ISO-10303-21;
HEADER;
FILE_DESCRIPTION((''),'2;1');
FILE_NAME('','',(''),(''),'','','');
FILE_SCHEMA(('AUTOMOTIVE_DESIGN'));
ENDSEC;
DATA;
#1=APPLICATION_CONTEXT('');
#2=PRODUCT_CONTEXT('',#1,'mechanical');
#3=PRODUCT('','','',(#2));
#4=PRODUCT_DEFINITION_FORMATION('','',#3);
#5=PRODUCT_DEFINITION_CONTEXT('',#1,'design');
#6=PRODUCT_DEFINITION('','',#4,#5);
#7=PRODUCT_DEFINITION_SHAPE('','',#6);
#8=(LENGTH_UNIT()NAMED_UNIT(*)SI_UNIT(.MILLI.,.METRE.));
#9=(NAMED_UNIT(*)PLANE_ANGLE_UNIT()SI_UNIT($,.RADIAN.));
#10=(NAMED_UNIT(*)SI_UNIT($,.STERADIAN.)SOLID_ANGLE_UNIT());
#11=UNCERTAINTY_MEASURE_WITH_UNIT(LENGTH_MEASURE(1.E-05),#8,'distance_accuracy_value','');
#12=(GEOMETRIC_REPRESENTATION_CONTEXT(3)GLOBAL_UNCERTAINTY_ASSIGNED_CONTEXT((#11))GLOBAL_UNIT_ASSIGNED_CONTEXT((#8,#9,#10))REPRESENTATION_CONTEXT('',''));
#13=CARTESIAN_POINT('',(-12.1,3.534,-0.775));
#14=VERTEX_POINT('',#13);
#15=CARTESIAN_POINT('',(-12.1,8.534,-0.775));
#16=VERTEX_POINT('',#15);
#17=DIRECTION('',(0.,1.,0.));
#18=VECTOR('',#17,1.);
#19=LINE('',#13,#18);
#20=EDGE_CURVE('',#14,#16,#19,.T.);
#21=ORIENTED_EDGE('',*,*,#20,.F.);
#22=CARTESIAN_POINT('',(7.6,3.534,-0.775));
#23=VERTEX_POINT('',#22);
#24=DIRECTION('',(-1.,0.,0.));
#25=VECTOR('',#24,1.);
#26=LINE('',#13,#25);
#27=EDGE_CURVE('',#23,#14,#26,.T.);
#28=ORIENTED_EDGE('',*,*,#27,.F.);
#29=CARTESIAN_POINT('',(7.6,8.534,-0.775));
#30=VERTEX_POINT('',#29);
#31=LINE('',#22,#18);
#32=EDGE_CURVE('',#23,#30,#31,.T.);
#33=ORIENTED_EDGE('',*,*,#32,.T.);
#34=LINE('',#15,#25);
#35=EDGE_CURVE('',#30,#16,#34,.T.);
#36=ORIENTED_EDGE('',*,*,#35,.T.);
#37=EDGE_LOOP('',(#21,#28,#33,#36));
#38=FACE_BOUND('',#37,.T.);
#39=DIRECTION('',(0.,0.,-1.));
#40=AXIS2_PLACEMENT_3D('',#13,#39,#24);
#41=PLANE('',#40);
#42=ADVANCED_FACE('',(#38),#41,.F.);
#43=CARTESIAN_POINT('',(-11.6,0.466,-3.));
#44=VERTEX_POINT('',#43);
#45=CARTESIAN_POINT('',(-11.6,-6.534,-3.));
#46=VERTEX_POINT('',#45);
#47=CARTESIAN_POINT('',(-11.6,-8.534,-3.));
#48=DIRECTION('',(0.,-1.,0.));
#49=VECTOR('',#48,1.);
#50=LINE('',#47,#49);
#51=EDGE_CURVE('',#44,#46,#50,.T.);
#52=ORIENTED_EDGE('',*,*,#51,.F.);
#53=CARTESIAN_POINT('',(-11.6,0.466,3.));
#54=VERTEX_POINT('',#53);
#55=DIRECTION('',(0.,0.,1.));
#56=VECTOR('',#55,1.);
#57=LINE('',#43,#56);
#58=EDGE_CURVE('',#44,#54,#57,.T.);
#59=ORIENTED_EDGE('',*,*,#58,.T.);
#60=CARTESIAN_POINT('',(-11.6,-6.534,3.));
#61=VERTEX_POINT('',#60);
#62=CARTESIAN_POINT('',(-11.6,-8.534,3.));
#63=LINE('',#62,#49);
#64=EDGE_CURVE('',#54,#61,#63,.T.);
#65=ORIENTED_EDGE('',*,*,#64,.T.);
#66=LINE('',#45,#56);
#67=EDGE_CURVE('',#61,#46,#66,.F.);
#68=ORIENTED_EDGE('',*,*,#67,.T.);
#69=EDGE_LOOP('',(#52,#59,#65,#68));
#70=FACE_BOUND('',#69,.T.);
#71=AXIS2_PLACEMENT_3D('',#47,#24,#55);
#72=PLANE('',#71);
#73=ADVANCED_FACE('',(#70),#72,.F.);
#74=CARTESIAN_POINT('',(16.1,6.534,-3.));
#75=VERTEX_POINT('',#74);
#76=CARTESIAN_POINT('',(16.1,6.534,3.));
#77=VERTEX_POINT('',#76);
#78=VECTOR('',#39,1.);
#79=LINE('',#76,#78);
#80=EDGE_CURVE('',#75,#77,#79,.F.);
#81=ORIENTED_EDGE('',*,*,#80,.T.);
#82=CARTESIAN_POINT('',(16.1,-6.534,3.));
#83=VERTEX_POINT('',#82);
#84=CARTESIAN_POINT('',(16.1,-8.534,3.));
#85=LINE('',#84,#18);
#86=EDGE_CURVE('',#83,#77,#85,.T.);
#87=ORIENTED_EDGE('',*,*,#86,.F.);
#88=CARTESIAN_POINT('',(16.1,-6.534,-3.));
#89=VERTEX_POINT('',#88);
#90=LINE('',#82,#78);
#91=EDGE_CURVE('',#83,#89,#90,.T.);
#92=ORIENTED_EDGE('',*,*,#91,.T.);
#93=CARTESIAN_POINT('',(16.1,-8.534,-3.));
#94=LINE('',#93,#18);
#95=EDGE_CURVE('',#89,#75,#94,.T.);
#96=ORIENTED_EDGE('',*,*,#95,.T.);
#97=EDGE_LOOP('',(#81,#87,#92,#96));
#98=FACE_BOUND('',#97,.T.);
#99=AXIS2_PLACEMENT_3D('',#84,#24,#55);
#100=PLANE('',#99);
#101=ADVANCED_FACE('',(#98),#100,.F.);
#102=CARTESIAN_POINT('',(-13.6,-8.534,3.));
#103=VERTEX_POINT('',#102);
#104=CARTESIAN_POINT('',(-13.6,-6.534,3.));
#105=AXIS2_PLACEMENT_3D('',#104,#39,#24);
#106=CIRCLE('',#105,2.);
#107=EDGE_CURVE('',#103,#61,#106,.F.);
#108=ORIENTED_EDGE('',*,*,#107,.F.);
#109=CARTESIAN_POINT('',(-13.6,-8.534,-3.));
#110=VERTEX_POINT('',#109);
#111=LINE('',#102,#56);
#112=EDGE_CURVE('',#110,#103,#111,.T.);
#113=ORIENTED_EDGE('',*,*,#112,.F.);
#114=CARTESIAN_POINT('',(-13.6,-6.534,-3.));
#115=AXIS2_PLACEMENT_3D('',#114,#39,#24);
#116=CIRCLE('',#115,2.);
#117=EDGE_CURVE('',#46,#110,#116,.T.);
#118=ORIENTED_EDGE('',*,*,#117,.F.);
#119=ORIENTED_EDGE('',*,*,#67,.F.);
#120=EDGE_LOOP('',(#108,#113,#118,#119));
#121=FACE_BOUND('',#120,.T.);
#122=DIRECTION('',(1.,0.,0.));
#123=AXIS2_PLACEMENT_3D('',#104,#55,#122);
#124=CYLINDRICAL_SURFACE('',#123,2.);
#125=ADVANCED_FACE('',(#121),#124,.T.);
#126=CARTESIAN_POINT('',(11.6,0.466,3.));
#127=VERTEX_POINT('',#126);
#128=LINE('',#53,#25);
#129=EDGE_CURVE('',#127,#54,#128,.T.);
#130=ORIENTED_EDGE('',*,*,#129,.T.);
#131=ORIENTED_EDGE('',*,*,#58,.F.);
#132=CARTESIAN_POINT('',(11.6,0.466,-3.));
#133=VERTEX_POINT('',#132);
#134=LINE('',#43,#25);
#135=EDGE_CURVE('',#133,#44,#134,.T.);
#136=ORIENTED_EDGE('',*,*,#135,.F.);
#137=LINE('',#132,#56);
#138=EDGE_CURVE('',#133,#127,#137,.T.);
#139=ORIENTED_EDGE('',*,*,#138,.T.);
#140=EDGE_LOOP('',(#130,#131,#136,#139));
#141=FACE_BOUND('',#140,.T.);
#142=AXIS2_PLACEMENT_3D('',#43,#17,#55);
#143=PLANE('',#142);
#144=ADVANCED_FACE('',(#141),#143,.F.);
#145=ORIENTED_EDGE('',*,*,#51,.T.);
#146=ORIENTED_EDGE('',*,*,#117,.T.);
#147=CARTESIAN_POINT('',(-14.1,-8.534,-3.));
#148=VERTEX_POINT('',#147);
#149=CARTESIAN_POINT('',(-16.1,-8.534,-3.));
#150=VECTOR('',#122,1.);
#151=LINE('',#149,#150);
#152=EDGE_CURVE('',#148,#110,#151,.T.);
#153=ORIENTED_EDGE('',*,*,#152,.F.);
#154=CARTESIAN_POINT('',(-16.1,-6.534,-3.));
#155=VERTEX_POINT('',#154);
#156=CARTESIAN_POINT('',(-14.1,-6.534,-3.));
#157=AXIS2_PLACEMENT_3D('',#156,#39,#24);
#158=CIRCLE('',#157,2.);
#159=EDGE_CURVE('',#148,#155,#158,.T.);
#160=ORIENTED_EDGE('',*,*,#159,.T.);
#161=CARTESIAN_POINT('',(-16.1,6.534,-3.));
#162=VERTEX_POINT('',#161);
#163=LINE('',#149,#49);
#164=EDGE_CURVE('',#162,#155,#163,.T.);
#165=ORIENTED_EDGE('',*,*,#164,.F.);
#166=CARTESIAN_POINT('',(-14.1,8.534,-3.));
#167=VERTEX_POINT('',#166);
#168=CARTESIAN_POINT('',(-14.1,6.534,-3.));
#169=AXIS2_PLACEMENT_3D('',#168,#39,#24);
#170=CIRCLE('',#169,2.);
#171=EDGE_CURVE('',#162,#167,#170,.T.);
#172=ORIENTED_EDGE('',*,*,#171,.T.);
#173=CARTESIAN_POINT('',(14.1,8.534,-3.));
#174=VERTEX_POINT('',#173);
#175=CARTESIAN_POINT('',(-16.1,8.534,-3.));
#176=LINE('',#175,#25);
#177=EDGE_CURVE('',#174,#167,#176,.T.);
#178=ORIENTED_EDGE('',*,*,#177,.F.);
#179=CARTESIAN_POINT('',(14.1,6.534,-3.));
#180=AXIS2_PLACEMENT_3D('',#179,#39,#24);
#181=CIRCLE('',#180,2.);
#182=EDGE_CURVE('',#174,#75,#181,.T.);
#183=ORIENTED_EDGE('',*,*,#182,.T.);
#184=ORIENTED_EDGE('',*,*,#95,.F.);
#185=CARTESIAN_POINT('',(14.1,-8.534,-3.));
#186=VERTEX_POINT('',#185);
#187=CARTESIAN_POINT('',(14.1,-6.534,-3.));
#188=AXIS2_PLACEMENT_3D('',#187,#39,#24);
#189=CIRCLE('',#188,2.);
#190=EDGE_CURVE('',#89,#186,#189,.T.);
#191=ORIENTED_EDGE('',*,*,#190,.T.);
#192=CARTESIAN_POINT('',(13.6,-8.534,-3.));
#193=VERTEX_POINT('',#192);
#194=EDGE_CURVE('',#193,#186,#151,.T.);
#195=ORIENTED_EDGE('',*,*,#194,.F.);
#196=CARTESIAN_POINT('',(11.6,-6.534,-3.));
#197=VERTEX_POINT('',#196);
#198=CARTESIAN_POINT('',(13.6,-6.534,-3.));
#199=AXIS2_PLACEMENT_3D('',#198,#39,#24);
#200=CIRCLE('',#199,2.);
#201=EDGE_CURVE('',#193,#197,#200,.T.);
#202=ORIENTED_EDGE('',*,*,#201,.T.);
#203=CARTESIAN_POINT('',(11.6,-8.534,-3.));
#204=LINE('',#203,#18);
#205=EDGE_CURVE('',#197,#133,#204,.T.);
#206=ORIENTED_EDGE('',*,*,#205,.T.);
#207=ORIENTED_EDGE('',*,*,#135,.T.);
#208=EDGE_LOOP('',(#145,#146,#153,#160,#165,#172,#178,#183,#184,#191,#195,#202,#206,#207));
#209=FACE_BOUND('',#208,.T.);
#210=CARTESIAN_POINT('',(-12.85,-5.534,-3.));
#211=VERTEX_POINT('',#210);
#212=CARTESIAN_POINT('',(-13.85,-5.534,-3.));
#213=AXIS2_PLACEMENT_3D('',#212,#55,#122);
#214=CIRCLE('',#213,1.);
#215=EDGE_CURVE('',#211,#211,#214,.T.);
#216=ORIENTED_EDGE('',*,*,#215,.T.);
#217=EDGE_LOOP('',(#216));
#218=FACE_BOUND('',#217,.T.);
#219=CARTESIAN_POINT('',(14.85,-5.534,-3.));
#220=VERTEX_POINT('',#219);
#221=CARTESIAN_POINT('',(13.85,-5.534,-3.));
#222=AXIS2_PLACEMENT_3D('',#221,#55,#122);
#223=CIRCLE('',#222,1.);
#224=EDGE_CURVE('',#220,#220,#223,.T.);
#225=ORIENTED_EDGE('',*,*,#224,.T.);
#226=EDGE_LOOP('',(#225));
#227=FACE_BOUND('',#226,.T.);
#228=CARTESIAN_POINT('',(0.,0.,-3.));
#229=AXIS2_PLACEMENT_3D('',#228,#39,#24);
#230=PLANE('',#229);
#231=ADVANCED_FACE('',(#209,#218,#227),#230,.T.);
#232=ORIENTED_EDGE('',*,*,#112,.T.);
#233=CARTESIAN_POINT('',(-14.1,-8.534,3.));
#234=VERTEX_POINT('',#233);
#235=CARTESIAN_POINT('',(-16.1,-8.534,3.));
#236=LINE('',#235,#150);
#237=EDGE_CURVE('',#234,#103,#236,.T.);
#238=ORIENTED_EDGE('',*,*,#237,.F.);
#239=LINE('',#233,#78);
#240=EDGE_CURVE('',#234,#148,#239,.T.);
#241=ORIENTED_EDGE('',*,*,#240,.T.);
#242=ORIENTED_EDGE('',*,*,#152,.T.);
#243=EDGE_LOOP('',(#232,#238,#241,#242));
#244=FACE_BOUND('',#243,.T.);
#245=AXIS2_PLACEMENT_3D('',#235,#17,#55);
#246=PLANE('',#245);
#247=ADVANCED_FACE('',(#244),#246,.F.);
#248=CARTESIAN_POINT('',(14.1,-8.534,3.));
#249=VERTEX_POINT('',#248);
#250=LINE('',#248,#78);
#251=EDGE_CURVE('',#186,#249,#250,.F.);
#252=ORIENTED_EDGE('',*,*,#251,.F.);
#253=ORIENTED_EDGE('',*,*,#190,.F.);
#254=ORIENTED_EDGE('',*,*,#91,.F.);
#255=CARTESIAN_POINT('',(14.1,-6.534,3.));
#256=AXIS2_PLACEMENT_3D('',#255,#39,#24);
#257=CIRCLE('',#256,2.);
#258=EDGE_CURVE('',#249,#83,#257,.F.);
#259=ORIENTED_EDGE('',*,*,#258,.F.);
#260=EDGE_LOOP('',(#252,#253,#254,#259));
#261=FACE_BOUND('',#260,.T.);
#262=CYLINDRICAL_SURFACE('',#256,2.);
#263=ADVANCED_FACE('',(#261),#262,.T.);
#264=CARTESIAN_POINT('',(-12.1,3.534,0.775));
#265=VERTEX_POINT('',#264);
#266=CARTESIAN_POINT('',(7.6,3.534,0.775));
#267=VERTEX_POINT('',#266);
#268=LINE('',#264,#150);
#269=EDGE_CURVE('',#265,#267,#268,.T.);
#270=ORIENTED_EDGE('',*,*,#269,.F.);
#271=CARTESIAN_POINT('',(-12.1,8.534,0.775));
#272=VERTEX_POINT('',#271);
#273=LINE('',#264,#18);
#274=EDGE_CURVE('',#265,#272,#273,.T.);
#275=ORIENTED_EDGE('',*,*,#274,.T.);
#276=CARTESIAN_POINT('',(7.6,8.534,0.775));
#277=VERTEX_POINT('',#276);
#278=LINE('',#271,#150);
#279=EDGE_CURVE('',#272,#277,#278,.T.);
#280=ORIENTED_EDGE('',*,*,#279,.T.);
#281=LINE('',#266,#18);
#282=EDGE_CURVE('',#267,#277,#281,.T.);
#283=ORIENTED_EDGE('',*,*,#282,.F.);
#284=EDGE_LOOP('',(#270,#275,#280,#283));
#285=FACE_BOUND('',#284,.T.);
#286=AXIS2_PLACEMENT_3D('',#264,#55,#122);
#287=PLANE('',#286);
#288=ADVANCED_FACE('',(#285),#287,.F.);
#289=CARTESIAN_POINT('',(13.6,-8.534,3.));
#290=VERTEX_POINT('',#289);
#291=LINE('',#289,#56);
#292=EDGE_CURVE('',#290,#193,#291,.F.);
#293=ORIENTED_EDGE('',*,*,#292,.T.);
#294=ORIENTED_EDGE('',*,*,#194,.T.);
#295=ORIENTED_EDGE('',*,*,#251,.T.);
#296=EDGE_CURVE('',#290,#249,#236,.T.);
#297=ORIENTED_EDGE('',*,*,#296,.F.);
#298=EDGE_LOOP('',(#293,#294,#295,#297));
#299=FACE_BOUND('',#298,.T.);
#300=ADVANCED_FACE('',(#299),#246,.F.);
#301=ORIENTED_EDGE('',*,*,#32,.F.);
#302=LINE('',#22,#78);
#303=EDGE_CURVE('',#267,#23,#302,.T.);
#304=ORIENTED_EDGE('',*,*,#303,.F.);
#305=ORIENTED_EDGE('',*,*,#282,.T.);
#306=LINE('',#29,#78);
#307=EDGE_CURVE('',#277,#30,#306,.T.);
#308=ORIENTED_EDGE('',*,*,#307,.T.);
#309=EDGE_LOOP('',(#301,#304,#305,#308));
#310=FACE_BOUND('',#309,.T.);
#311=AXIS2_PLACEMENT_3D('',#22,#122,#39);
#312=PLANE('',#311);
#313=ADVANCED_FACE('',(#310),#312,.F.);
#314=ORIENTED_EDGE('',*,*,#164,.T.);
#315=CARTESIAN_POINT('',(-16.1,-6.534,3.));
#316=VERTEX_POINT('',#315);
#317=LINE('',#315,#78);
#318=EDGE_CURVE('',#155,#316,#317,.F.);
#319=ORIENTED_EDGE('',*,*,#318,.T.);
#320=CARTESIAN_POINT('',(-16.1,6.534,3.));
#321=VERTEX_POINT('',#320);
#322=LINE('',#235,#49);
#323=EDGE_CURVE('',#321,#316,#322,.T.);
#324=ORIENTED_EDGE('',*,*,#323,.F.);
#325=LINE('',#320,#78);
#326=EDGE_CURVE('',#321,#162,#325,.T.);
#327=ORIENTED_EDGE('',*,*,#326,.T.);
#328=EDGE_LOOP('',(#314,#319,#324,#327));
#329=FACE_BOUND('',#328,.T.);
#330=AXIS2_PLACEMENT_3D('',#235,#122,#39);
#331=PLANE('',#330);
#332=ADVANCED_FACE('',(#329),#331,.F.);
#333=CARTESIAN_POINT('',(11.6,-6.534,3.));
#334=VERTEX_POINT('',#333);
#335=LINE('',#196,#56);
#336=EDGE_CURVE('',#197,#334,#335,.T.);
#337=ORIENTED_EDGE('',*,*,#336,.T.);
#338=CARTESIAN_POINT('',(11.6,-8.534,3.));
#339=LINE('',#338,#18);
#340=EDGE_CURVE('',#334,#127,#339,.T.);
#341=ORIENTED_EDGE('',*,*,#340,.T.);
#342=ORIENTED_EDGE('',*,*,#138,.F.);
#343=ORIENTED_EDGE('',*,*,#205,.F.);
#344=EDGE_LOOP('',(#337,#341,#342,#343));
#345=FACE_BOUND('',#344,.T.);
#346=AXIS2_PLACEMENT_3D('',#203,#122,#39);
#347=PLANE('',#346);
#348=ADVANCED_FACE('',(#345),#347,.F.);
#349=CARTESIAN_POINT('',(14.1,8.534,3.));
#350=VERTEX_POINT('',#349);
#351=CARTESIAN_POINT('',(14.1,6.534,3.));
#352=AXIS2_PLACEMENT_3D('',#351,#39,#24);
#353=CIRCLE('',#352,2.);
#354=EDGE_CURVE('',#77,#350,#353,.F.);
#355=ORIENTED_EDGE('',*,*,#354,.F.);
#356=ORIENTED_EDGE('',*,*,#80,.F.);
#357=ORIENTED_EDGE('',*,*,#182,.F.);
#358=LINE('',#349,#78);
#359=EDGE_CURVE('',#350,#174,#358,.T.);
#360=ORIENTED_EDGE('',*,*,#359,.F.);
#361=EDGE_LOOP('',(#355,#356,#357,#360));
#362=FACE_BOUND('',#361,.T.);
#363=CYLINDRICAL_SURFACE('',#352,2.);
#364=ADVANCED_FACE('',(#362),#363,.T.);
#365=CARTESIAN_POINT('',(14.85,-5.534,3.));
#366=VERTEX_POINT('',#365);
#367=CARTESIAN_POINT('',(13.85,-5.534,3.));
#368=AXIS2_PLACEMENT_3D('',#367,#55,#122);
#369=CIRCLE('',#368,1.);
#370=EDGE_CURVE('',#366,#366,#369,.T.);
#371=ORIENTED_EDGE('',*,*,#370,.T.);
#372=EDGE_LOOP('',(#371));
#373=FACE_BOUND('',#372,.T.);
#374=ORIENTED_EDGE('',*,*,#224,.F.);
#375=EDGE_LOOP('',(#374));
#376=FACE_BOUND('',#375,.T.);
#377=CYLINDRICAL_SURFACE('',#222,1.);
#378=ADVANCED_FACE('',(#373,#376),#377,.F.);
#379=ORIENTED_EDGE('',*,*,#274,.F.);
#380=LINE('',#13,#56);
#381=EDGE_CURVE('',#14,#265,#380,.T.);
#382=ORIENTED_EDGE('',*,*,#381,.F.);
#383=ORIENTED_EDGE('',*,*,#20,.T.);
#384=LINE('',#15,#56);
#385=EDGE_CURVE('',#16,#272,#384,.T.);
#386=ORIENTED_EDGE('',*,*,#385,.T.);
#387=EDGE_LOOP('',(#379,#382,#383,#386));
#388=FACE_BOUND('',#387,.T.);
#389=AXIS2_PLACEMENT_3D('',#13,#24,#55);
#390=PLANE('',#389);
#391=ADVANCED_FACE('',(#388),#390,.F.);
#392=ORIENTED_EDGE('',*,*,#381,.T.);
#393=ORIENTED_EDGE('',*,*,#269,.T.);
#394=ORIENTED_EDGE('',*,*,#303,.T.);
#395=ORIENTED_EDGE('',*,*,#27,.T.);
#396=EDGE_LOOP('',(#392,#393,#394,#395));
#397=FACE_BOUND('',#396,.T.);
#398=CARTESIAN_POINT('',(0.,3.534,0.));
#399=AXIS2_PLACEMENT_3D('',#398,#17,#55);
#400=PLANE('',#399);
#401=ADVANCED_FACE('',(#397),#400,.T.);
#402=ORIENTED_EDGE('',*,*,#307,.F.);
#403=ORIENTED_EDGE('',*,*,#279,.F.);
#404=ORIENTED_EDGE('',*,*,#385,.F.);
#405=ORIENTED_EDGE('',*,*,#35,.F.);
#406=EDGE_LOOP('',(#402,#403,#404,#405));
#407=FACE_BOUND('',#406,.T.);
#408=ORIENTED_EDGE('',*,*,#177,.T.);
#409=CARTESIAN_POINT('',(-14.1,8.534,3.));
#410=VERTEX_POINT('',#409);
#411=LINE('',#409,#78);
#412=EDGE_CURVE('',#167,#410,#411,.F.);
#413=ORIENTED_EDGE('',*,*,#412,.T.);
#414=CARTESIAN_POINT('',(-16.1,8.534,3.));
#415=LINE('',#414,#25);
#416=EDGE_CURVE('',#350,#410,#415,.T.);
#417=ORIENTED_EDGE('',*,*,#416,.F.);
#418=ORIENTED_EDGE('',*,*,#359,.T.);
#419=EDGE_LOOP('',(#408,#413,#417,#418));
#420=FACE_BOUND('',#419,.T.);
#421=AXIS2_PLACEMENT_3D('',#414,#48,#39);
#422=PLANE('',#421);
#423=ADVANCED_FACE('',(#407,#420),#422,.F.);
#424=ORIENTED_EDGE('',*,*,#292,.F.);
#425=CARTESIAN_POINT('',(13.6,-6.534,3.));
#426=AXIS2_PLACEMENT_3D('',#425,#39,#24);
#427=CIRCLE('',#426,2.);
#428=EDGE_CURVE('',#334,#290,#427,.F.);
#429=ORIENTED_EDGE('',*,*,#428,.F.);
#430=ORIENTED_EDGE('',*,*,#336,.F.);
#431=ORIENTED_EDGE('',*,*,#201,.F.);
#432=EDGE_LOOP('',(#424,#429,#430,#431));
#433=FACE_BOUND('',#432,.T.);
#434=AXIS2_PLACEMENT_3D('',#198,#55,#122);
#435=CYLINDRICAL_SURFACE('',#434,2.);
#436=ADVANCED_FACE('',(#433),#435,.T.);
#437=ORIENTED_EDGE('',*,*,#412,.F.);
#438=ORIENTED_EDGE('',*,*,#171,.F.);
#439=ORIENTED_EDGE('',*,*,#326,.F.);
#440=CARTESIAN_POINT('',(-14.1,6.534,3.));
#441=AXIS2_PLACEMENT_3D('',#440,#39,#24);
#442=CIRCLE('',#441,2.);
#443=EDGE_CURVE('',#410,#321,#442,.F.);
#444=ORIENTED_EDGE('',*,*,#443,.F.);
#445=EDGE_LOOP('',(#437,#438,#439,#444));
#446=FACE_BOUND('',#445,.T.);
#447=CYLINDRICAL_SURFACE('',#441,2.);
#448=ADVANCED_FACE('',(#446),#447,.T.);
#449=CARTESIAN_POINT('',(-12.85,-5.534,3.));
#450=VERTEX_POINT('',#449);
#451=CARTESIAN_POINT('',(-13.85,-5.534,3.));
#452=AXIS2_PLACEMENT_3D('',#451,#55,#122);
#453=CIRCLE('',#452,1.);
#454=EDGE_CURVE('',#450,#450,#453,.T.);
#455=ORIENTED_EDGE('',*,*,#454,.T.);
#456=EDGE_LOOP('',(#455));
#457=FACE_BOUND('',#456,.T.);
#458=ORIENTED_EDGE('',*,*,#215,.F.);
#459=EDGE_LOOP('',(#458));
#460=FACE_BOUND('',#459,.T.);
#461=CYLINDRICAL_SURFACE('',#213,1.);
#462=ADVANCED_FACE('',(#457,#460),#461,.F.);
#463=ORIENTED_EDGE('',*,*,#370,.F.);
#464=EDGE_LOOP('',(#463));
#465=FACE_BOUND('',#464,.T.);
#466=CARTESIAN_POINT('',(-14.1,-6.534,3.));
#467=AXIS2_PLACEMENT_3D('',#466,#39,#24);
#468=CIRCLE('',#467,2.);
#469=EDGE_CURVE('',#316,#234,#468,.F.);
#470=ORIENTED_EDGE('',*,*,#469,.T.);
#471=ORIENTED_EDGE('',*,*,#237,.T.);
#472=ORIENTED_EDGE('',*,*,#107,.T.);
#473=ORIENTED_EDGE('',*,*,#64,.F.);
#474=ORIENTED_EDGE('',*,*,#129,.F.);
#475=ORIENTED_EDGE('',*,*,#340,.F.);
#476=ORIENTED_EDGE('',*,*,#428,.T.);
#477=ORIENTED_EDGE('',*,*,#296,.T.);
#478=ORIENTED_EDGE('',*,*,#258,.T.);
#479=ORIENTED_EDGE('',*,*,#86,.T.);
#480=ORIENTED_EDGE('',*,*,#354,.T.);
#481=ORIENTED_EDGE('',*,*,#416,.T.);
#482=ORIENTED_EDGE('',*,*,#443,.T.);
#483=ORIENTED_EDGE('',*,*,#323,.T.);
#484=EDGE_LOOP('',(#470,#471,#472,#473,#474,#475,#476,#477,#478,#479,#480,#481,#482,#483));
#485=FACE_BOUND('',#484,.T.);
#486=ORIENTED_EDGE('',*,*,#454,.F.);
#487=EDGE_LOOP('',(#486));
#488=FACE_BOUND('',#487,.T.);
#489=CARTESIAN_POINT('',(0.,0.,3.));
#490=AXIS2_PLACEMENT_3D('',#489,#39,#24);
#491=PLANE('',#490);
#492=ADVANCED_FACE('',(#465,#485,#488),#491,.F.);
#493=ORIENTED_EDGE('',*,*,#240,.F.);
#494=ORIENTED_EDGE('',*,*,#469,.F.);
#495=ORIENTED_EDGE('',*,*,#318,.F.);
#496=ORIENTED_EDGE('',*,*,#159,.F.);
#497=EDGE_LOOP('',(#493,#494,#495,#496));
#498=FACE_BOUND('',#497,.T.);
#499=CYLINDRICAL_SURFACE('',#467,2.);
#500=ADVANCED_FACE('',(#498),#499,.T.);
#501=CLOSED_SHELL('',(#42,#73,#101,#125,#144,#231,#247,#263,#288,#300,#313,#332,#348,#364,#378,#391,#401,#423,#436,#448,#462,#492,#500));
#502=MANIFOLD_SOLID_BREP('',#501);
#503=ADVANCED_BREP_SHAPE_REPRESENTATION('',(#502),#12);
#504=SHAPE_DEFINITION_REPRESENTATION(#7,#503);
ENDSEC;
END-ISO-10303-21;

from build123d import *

# Parameters (mm, degrees)
SKETCH2_W           = 32.2
SKETCH2_H           = 17.068
BOSS_EXTRUDE1_DEPTH = 3
SKETCH3_W           = 19.7
SKETCH3_H           = 1.55
CUT_EXTRUDE1_DEPTH  = 5
SKETCH4_W           = 23.2
SKETCH4_H           = 9
CUT_EXTRUDE2_DEPTH  = 20.18434664
SKETCH5_R           = 1
CUT_EXTRUDE3_DEPTH  = 20.18434664
FILLET1_R           = 2


with BuildPart() as part:
    # Sketch2 → Boss-Extrude1 (new, symmetric)
    with BuildSketch(Plane.XY):
        Rectangle(SKETCH2_W, SKETCH2_H)
    extrude(amount=BOSS_EXTRUDE1_DEPTH, both=True)

    # Sketch3 → Cut-Extrude1 (cut)
    with BuildSketch(Plane(origin=(0, 8.534, 0), x_dir=(1, 0, 0), z_dir=(0, 1, 0))):
        with Locations((-2.25, 0)):
            Rectangle(SKETCH3_W, SKETCH3_H)
    extrude(amount=-CUT_EXTRUDE1_DEPTH, mode=Mode.SUBTRACT)

    # Sketch4 → Cut-Extrude2 (cut, through all)
    with BuildSketch(Plane.XY.offset(3)):
        with Locations((0, -4.034)):
            Rectangle(SKETCH4_W, SKETCH4_H)
    extrude(amount=-CUT_EXTRUDE2_DEPTH, mode=Mode.SUBTRACT)

    # Sketch5 → Cut-Extrude3 (cut, through all)
    with BuildSketch(Plane.XY.offset(3)):
        with Locations((-13.85, -5.534)):
            Circle(SKETCH5_R)
        with Locations((13.85, -5.534)):
            Circle(SKETCH5_R)
    extrude(amount=-CUT_EXTRUDE3_DEPTH, mode=Mode.SUBTRACT)

    # Fillet1
    fillet1_edges = [part.edges().sort_by_distance(p)[0] for p in [
        (-11.6, -8.534, 0),
        (11.6, -8.534, 0),
        (16.1, -8.534, 0),
        (-16.1, -8.534, 0),
        (-16.1, 8.534, 0),
        (16.1, 8.534, 0),
    ]]
    fillet(fillet1_edges, radius=FILLET1_R)


solid = part.part
